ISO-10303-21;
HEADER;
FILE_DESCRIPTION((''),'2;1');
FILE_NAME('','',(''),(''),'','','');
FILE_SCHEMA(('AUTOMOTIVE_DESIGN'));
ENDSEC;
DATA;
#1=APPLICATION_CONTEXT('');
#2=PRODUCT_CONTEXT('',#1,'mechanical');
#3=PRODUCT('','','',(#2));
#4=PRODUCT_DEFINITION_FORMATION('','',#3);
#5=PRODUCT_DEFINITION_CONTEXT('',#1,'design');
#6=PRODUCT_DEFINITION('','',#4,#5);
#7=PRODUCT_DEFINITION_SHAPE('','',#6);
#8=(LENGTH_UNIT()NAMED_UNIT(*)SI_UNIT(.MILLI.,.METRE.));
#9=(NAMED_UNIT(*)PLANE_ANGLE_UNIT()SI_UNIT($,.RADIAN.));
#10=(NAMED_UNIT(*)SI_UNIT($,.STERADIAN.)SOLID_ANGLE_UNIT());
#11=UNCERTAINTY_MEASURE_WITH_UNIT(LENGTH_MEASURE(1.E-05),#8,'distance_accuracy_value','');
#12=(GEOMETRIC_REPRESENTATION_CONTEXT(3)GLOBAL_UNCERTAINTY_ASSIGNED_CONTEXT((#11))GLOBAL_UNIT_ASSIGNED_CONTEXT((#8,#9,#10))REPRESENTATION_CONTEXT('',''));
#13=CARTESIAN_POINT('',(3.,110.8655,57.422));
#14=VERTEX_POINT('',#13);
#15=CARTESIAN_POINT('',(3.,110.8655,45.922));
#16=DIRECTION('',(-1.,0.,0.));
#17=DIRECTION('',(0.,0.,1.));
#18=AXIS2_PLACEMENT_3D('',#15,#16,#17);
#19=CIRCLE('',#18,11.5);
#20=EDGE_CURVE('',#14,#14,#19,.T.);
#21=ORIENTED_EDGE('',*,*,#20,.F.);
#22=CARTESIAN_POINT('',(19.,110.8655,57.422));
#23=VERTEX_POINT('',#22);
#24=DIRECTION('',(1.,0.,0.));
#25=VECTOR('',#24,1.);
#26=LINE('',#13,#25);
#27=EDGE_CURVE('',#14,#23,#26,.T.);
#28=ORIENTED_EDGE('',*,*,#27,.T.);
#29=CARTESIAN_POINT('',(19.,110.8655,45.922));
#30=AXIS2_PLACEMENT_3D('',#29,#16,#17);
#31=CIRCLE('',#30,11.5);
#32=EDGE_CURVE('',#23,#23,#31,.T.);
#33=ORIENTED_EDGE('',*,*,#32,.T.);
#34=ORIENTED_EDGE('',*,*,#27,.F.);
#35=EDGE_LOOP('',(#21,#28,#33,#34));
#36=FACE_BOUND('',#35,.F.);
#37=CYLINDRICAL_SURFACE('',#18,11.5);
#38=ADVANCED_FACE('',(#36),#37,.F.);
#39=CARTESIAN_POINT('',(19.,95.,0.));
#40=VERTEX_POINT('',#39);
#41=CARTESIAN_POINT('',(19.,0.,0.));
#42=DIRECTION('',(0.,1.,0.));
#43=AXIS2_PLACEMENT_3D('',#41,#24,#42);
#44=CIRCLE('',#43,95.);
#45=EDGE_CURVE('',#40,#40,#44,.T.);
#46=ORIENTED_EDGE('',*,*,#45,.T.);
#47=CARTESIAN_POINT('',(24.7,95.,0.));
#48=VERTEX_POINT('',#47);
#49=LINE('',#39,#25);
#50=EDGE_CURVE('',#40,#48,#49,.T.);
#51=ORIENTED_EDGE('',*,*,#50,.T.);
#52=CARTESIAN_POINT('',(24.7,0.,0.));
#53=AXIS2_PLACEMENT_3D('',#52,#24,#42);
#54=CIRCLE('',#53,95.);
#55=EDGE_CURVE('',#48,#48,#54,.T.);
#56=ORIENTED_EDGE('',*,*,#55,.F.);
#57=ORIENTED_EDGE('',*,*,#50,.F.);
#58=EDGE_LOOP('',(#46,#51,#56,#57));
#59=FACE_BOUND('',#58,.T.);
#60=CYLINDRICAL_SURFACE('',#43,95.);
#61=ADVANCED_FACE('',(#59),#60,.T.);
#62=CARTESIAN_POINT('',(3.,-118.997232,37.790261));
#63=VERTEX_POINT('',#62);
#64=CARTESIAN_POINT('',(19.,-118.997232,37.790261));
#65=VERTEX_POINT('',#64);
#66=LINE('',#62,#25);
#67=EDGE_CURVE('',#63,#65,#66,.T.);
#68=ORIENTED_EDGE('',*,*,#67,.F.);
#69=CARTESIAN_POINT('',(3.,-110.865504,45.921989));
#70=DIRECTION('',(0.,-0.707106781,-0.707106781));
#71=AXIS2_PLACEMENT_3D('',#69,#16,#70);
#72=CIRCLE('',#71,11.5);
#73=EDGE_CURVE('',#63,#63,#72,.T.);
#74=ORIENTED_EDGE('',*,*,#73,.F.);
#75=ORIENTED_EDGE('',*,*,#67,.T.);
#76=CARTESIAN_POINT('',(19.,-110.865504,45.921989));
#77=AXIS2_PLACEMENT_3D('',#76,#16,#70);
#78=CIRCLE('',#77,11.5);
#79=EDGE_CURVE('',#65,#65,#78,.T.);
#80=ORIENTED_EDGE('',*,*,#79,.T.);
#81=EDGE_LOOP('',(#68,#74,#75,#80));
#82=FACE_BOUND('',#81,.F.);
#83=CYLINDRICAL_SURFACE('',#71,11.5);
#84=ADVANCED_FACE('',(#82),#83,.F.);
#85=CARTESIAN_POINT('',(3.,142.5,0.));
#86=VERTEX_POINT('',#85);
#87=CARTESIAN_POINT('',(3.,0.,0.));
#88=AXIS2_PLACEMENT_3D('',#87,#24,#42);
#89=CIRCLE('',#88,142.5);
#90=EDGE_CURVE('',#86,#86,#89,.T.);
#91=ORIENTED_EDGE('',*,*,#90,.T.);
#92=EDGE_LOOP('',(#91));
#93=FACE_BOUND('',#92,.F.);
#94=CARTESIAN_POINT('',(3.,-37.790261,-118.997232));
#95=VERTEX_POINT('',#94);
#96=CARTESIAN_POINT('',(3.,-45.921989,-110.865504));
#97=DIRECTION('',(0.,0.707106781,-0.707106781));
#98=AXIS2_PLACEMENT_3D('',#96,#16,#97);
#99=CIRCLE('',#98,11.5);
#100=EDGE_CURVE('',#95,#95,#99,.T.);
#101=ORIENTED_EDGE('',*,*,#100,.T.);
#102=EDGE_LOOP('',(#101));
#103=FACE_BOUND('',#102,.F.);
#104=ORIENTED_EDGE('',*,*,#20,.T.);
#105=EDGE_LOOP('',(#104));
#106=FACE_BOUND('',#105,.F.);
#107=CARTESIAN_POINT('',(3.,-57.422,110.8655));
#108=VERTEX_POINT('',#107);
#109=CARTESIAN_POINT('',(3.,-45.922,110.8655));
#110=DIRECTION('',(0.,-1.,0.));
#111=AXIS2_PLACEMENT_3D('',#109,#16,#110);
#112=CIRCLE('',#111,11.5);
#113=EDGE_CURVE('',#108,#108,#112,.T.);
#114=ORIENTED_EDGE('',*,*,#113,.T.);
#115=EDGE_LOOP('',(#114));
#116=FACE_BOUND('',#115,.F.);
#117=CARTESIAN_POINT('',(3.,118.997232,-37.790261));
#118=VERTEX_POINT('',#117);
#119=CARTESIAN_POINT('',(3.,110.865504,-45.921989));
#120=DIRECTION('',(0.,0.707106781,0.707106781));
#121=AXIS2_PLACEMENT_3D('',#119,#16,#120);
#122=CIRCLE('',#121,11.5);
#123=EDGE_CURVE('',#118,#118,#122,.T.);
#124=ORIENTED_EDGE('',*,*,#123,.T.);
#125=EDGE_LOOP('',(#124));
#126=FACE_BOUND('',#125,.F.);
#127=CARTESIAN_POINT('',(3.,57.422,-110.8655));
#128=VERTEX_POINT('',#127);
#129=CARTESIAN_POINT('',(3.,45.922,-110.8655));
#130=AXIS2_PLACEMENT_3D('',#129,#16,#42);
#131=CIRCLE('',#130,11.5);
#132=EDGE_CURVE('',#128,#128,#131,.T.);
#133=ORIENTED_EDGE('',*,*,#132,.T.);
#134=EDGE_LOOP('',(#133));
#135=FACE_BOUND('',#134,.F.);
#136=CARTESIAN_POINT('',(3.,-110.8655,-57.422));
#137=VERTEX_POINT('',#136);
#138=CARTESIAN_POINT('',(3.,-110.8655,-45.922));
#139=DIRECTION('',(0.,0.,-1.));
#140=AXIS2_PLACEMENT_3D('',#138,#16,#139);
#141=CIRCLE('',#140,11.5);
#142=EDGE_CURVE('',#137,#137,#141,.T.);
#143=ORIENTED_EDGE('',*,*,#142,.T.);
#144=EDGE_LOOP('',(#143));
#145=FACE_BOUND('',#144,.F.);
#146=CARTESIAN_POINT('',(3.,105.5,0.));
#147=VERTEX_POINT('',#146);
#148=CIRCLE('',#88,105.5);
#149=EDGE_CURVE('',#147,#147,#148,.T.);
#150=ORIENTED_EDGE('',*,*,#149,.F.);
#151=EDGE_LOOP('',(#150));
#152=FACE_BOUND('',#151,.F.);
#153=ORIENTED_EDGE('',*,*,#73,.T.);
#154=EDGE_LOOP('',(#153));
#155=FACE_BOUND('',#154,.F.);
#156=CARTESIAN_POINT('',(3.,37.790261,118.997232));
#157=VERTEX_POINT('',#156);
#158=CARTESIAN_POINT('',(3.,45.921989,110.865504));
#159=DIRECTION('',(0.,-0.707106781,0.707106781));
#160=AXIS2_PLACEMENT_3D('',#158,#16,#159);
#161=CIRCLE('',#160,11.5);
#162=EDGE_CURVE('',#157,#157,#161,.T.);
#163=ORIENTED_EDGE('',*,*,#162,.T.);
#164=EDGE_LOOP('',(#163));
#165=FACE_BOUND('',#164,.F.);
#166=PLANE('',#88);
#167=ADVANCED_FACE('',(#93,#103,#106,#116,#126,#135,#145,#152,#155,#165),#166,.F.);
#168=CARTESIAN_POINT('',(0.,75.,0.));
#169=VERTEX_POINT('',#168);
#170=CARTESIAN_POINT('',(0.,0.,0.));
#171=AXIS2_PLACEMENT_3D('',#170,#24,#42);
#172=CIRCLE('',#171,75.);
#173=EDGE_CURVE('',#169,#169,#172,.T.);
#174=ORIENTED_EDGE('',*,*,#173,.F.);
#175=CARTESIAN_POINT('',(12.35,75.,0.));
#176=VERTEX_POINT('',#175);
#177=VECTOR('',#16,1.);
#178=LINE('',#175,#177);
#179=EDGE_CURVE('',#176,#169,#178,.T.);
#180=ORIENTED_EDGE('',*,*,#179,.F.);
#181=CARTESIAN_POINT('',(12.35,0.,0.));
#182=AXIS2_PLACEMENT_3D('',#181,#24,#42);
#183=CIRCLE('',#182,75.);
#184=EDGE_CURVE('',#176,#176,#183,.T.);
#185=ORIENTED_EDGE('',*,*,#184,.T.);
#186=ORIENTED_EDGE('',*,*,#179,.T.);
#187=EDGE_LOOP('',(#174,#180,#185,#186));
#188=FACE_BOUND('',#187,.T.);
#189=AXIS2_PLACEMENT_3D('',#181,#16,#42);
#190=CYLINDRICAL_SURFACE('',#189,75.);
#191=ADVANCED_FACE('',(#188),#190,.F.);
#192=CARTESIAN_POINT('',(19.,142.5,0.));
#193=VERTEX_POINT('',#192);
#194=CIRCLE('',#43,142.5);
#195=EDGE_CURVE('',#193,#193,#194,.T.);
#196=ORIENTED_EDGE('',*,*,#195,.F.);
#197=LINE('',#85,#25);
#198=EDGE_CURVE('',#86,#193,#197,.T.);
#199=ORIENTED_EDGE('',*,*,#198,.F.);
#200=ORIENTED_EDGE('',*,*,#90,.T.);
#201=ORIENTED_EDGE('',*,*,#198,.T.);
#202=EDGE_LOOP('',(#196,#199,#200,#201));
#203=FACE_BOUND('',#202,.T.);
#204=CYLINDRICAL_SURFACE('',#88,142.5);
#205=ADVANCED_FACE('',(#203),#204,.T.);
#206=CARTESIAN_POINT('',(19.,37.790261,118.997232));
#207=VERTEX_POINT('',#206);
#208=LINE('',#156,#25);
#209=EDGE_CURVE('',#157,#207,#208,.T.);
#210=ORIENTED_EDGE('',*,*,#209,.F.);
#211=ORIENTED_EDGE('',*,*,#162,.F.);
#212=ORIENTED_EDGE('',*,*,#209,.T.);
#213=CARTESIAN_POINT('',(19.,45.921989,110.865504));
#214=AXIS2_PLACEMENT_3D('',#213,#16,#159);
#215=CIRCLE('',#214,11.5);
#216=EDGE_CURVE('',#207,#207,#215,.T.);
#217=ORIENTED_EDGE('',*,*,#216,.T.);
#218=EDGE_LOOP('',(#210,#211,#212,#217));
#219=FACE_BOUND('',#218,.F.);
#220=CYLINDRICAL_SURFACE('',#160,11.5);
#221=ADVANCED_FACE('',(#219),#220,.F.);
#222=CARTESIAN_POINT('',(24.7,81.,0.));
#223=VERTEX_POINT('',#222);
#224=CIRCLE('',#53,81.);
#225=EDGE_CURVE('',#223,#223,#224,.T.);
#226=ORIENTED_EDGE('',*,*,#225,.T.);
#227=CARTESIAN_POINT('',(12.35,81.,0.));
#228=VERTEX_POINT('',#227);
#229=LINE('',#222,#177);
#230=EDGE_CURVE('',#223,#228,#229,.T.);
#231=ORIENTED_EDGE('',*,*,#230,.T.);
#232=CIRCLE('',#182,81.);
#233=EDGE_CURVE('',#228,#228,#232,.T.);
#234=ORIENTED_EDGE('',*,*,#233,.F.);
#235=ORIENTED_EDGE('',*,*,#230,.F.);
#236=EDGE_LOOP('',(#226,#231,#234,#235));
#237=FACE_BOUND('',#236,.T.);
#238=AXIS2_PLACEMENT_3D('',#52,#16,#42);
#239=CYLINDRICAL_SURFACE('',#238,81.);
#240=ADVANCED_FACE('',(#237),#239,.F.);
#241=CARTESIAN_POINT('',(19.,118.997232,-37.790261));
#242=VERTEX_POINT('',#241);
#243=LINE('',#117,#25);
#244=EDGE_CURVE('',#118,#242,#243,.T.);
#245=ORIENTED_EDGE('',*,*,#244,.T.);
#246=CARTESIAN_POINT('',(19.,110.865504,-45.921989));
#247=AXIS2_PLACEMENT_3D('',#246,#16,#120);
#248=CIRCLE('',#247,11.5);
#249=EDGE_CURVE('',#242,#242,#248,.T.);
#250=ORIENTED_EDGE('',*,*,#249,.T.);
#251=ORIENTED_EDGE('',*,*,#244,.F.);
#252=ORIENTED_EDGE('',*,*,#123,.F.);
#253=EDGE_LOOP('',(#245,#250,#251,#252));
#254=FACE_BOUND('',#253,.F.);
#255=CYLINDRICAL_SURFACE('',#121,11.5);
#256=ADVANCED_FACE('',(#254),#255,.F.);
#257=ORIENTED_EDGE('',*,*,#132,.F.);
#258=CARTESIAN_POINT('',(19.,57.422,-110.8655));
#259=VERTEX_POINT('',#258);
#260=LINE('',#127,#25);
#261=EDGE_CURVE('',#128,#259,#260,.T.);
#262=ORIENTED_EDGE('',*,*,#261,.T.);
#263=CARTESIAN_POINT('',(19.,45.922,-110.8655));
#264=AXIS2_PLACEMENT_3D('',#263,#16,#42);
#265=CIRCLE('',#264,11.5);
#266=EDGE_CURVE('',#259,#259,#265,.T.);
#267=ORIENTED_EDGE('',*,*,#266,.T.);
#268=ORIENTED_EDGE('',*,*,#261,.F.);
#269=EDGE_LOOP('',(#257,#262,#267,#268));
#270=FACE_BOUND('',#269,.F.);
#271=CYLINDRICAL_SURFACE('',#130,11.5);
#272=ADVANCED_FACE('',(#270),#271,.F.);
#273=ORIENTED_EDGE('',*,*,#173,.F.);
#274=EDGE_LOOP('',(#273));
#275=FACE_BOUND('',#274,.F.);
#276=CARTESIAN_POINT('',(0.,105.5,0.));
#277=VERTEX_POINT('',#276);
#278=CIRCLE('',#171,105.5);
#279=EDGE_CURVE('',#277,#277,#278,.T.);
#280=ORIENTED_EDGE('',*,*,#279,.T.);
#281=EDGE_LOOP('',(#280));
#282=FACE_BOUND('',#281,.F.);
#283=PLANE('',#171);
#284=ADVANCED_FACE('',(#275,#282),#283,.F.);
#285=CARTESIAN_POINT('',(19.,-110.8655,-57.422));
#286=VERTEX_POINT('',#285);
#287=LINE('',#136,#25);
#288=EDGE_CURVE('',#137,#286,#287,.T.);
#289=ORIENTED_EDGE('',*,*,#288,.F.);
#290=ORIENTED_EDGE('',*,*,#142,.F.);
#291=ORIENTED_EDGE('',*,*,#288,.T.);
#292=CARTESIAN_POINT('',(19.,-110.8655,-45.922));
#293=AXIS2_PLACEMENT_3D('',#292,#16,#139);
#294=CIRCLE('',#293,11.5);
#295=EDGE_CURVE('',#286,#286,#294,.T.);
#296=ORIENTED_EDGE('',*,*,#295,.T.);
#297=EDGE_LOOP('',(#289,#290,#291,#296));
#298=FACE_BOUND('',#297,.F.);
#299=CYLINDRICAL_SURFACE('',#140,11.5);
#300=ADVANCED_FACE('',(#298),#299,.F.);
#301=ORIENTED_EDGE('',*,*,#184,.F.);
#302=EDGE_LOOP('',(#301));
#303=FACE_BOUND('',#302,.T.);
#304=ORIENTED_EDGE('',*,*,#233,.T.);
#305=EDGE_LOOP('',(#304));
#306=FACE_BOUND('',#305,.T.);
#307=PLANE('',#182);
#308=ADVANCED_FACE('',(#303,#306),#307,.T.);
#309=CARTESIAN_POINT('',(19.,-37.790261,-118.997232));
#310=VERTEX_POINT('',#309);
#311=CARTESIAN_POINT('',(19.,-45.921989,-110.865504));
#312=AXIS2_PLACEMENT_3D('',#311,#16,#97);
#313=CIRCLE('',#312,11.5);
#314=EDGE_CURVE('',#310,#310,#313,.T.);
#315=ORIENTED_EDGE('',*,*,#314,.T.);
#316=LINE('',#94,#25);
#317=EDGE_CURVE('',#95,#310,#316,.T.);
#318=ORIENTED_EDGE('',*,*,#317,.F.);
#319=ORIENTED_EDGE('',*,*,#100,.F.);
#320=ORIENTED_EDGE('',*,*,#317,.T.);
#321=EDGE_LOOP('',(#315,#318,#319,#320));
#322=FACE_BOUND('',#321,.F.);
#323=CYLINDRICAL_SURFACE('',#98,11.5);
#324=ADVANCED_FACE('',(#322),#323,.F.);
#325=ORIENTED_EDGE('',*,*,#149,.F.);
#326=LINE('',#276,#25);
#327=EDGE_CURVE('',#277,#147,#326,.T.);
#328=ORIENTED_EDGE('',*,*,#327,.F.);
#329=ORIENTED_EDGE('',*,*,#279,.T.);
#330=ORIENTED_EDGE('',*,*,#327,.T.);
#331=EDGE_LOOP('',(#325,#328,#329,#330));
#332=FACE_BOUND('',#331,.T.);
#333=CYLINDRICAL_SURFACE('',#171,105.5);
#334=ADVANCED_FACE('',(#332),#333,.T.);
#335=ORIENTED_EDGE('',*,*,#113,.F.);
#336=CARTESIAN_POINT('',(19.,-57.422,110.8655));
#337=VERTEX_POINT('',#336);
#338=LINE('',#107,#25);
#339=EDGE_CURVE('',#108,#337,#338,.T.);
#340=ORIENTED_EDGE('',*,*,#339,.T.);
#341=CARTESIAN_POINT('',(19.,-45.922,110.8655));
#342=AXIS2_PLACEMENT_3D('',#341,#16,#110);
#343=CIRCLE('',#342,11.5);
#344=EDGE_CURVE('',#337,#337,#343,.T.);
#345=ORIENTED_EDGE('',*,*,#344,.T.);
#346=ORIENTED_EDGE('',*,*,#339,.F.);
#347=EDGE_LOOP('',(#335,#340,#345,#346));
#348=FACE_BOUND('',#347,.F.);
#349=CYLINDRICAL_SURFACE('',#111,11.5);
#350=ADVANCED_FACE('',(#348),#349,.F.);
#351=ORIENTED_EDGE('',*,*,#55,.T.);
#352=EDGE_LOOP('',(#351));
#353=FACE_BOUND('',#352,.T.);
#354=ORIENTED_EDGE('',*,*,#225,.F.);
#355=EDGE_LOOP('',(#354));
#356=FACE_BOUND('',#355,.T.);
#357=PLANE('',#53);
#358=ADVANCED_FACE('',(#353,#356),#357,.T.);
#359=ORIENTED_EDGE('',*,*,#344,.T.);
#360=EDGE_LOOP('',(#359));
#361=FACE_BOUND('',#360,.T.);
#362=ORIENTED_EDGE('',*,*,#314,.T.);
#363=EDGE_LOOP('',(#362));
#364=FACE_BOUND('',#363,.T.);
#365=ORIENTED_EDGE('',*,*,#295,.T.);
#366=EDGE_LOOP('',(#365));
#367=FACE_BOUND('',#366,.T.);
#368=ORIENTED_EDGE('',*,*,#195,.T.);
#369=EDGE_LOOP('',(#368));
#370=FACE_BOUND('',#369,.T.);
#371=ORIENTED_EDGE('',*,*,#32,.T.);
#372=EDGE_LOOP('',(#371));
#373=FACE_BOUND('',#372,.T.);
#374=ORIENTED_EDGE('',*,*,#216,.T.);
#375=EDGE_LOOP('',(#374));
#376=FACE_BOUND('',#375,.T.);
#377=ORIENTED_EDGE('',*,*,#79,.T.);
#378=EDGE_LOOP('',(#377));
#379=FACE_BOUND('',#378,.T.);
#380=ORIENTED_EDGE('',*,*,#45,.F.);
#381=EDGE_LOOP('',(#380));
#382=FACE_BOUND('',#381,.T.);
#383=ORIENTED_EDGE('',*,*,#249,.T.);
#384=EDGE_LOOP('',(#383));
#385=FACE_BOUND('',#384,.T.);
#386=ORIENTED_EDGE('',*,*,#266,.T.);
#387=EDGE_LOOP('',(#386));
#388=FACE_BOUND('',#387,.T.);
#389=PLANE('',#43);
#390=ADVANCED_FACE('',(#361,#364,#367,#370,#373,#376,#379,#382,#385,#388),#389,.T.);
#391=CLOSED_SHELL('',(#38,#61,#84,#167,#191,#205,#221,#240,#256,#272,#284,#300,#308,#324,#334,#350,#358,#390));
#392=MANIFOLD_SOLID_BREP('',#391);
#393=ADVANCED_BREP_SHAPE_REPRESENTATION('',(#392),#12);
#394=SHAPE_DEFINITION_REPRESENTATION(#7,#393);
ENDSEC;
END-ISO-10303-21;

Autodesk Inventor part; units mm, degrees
ref_plane "YZ Plane" through (0, 0, 0) normal (1, 0, 0) x (0, 1, 0)
ref_plane "XZ Plane" through (0, 0, 0) normal (0, 1, 0) x (-1, 0, 0)
ref_plane "XY Plane" through (0, 0, 0) normal (0, 0, 1) x (1, 0, 0)
sketch "Sketch1" plane through (0, 0, 0) normal (0, 0, 1) x (1, 0, 0)
  line L0 (0, 0) -> (24.7, 0) construction
  line L1 (0, 105.5) -> (3, 105.5)
  line L2 (3, 142.5) -> (19, 142.5)
  line L3 (3, 142.5) -> (3, 105.5)
  line L4 (19, 142.5) -> (19, 95)
  line L5 (24.7, 81) -> (24.7, 0) construction
  line L6 (19, 95) -> (24.7, 95)
  line L7 (24.7, 95) -> (24.7, 81)
  line L8 (24.7, 81) -> (12.35, 81)
  line L9 (12.35, 81) -> (12.35, 75)
  line L10 (12.35, 75) -> (0, 75)
  line L11 (0, 75) -> (0, 0) construction
  line L12 (0, 105.5) -> (0, 75)
  dimension "d0" = 211
  dimension "d1" = 285
  dimension "d2" = 190
  dimension "d7" = 162
  dimension "d8" = 150
  dimension "d9" = 19
  dimension "d10" = 3
  dimension "d12" = 12.35
  dimension "d13" = 24.7
revolve "Revolution1" add sketch "Sketch1" angle 360 about axis through (0, 0, 0) along (1, 0, 0)
sketch "Sketch2" plane through (3, 0, 0) normal (-1, 0, 0) x (0, 0, 1)
  circle A0 centre (0, 0) radius 105.5 projected
  line L0 (0, 0) -> (0, 120) construction
  circle A1 centre (0, 0) radius 142.5 projected
  circle A2 centre (0, 0) radius 120 construction
  line L1 (0, 0) -> (45.922, 110.8655) construction
  circle A3 centre (45.922, 110.8655) radius 11.5
  dimension "d14" = 23
  dimension "d15" = 120
  dimension "d16" = 22.5
extrude "Extrusion1" cut sketch "Sketch2" against normal blind 19 contours A3
pattern_circular "Circular Pattern1" count 8 over 360 about axis through (1.5, 0, 0) along (1, 0, 0) of "Extrusion1"
equation "\"d0\" = D1"
equation "\"d1\" = D"
equation "\"d2\" = N3"
equation "\"d7\" = ID + 2 * t"
equation "\"d8\" = ID"
equation "\"d9\" = C1"
equation "\"d10\" = F1"
equation "\"d12\" = 0.65 * C1"
equation "\"d13\" = 1.3 * C1"
equation "\"d14\" = L"
equation "\"d15\" = 0.5 * K1"
equation "\"d3\" = C1"
equation "\"C1\" = 19"
equation "\"D\" = 285"
equation "\"L\" = 23"
equation "\"N3\" = 190"
equation "\"D1\" = 211"
equation "\"H1\" = 17"
equation "\"F1\" = 3"
equation "\"ID\" = 150"
equation "\"t\" = 6"
equation "\"Size_Designation\" = 1.2345"
equation "\"K1\" = 240"
properties part number "DIN EN 1092-2 Hubbed Socket Welding Flange Type 14 - PN 16 Ductile Iron DN150" material "Iron, Ductile"
